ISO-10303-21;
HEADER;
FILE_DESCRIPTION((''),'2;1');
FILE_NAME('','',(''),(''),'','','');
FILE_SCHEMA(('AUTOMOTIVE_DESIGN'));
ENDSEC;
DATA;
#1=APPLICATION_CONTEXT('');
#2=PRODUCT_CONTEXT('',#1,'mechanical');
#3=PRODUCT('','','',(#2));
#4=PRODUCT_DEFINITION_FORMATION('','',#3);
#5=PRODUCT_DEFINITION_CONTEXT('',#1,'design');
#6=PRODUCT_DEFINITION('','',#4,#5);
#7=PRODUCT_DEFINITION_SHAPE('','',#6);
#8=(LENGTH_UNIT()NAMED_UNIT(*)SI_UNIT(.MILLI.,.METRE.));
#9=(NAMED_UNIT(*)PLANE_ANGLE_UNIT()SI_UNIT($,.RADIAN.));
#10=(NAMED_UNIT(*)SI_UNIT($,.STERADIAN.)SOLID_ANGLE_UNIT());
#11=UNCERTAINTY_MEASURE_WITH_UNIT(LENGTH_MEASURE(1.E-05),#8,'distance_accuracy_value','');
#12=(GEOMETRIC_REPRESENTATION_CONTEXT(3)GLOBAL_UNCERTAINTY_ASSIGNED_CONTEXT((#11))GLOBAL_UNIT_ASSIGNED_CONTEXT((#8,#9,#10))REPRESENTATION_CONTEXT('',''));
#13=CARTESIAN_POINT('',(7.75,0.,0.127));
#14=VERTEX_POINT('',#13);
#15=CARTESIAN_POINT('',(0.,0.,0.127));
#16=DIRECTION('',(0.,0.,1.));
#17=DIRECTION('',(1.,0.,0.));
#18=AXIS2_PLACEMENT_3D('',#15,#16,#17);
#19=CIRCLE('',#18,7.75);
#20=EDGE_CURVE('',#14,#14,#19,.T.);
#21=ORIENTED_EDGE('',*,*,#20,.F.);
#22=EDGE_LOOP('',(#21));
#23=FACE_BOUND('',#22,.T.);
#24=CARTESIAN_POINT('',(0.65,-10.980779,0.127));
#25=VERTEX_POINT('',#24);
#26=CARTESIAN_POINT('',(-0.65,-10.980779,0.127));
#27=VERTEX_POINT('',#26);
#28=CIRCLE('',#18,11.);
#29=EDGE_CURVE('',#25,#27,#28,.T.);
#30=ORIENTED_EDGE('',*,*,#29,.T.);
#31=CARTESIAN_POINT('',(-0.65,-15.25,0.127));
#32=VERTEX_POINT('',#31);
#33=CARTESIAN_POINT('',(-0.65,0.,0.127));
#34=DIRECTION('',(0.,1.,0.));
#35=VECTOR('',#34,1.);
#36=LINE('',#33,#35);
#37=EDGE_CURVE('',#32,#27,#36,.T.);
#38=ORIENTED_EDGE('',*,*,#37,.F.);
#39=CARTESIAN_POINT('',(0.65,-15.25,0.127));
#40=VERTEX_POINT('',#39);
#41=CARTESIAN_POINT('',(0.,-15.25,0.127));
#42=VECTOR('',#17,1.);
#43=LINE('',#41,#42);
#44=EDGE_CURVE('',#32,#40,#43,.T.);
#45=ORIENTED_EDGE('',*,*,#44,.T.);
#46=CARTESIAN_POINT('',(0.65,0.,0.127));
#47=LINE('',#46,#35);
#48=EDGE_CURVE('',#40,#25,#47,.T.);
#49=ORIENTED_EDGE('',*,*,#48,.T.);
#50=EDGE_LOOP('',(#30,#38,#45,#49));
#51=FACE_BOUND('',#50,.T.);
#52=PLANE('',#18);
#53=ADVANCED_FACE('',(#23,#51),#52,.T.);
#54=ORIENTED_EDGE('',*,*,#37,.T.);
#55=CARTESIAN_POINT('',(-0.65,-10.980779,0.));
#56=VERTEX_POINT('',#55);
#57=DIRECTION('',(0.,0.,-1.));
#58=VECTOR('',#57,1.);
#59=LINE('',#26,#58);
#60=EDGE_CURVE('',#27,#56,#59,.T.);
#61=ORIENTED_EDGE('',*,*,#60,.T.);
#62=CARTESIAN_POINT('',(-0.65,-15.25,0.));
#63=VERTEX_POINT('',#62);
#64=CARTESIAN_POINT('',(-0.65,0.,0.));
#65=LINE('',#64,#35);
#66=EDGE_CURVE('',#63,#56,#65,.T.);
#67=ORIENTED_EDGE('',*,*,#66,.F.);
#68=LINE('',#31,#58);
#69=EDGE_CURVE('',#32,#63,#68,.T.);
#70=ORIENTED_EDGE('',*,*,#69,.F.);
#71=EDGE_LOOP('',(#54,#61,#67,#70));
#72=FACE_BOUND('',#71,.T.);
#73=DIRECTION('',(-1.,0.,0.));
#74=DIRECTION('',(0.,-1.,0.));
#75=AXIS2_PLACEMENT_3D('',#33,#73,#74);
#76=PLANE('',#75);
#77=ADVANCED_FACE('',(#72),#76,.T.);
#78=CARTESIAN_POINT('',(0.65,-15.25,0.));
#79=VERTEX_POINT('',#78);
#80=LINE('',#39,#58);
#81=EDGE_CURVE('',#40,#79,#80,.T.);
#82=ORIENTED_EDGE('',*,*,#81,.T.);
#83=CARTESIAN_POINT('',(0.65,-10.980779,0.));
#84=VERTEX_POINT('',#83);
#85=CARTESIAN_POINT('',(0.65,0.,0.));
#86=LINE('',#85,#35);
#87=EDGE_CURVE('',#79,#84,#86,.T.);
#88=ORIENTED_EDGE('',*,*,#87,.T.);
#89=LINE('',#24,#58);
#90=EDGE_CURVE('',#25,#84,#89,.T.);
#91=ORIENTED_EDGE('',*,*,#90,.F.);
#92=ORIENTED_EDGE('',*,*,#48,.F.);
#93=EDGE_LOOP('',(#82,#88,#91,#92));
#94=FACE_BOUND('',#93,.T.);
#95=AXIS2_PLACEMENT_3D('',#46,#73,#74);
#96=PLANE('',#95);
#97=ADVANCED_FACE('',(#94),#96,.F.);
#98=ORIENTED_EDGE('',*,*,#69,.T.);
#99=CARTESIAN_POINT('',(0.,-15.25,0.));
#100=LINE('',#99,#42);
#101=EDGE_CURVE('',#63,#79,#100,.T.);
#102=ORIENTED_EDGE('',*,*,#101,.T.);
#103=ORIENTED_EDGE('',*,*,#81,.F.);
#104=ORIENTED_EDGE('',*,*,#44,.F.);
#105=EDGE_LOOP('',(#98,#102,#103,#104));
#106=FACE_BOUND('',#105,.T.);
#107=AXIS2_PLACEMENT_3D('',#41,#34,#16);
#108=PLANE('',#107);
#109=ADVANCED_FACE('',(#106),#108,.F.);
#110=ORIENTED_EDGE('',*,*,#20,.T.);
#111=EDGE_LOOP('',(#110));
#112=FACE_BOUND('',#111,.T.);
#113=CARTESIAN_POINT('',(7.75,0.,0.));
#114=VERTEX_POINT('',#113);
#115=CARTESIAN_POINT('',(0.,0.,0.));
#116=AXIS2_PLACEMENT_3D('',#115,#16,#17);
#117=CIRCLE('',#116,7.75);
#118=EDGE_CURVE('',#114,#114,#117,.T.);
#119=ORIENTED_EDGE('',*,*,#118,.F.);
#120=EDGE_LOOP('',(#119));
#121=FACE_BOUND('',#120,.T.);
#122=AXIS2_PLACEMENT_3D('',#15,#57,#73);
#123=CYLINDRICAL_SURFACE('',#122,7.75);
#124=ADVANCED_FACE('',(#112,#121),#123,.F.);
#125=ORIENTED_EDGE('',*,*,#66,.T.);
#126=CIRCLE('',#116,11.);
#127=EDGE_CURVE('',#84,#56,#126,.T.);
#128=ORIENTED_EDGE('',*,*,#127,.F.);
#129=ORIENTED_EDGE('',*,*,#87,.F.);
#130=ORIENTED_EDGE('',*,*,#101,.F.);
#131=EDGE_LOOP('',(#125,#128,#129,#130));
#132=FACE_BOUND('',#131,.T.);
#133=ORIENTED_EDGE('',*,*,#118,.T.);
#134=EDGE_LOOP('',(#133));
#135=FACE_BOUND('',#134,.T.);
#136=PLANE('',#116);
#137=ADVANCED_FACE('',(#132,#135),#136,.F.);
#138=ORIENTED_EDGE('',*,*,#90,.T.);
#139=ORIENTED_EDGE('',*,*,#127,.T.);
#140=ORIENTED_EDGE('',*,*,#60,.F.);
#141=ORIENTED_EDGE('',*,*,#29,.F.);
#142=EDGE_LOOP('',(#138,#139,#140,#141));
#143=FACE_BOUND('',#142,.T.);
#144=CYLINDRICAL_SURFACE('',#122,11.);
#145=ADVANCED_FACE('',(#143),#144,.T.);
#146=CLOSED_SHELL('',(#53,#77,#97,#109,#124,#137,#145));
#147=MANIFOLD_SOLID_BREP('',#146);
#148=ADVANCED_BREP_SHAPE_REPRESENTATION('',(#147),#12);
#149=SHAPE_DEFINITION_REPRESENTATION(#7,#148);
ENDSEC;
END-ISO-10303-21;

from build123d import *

# Parameters (mm, degrees)
BOSS_EXTRUDE1_DEPTH = 0.127


with BuildPart() as part:
    # Sketch1 → Boss-Extrude1 (new body)
    # profile 1 of 5: a face of its own
    with BuildSketch(Plane.XY):
        with BuildLine():
            Line((-0.65, -7.75), (0, -7.75))
            Line((0, -7.75), (0.65, -7.75))
            Line((0.65, -7.75), (0.65, -10.980778661))
            ThreePointArc((0.65, -10.980778661), (8.004686128, -7.544865804), (11, 0))
            ThreePointArc((11, 0), (-7.544865804, 8.004686128), (-0.65, -10.980778661))
            Line((-0.65, -10.980778661), (-0.65, -7.75))
        make_face()
        with BuildLine():
            ThreePointArc((7.75, 0), (5.480077554, -5.480077554), (0, -7.75))
            ThreePointArc((0, -7.75), (-5.480077554, 5.480077554), (7.75, 0))
        make_face(mode=Mode.SUBTRACT)
    # profile 2 of 5: a face of its own
    with BuildSketch(Plane.XY):
        with BuildLine():
            Line((0.65, -7.75), (0, -7.75))
            Line((0, -7.75), (0, -11))
            ThreePointArc((0, -11), (0.325142069, -10.995193615), (0.65, -10.980778661))
            Line((0.65, -10.980778661), (0.65, -7.75))
        make_face()
    # profile 3 of 5: a face of its own
    with BuildSketch(Plane.XY):
        with BuildLine():
            Line((0, -11), (0, -7.75))
            Line((0, -7.75), (-0.65, -7.75))
            Line((-0.65, -7.75), (-0.65, -10.980778661))
            ThreePointArc((-0.65, -10.980778661), (-0.325142069, -10.995193615), (0, -11))
        make_face()
    # profile 4 of 5: a face of its own
    with BuildSketch(Plane.XY):
        with BuildLine():
            Line((0, -15.25), (0, -11))
            ThreePointArc((0, -11), (-0.325142069, -10.995193615), (-0.65, -10.980778661))
            Line((-0.65, -10.980778661), (-0.65, -15.25))
            Line((-0.65, -15.25), (0, -15.25))
        make_face()
    # profile 5 of 5: a face of its own
    with BuildSketch(Plane.XY):
        with BuildLine():
            ThreePointArc((0.65, -10.980778661), (0.325142069, -10.995193615), (0, -11))
            Line((0, -11), (0, -15.25))
            Line((0, -15.25), (0.65, -15.25))
            Line((0.65, -15.25), (0.65, -10.980778661))
        make_face()
    extrude(amount=BOSS_EXTRUDE1_DEPTH)


solid = part.part
